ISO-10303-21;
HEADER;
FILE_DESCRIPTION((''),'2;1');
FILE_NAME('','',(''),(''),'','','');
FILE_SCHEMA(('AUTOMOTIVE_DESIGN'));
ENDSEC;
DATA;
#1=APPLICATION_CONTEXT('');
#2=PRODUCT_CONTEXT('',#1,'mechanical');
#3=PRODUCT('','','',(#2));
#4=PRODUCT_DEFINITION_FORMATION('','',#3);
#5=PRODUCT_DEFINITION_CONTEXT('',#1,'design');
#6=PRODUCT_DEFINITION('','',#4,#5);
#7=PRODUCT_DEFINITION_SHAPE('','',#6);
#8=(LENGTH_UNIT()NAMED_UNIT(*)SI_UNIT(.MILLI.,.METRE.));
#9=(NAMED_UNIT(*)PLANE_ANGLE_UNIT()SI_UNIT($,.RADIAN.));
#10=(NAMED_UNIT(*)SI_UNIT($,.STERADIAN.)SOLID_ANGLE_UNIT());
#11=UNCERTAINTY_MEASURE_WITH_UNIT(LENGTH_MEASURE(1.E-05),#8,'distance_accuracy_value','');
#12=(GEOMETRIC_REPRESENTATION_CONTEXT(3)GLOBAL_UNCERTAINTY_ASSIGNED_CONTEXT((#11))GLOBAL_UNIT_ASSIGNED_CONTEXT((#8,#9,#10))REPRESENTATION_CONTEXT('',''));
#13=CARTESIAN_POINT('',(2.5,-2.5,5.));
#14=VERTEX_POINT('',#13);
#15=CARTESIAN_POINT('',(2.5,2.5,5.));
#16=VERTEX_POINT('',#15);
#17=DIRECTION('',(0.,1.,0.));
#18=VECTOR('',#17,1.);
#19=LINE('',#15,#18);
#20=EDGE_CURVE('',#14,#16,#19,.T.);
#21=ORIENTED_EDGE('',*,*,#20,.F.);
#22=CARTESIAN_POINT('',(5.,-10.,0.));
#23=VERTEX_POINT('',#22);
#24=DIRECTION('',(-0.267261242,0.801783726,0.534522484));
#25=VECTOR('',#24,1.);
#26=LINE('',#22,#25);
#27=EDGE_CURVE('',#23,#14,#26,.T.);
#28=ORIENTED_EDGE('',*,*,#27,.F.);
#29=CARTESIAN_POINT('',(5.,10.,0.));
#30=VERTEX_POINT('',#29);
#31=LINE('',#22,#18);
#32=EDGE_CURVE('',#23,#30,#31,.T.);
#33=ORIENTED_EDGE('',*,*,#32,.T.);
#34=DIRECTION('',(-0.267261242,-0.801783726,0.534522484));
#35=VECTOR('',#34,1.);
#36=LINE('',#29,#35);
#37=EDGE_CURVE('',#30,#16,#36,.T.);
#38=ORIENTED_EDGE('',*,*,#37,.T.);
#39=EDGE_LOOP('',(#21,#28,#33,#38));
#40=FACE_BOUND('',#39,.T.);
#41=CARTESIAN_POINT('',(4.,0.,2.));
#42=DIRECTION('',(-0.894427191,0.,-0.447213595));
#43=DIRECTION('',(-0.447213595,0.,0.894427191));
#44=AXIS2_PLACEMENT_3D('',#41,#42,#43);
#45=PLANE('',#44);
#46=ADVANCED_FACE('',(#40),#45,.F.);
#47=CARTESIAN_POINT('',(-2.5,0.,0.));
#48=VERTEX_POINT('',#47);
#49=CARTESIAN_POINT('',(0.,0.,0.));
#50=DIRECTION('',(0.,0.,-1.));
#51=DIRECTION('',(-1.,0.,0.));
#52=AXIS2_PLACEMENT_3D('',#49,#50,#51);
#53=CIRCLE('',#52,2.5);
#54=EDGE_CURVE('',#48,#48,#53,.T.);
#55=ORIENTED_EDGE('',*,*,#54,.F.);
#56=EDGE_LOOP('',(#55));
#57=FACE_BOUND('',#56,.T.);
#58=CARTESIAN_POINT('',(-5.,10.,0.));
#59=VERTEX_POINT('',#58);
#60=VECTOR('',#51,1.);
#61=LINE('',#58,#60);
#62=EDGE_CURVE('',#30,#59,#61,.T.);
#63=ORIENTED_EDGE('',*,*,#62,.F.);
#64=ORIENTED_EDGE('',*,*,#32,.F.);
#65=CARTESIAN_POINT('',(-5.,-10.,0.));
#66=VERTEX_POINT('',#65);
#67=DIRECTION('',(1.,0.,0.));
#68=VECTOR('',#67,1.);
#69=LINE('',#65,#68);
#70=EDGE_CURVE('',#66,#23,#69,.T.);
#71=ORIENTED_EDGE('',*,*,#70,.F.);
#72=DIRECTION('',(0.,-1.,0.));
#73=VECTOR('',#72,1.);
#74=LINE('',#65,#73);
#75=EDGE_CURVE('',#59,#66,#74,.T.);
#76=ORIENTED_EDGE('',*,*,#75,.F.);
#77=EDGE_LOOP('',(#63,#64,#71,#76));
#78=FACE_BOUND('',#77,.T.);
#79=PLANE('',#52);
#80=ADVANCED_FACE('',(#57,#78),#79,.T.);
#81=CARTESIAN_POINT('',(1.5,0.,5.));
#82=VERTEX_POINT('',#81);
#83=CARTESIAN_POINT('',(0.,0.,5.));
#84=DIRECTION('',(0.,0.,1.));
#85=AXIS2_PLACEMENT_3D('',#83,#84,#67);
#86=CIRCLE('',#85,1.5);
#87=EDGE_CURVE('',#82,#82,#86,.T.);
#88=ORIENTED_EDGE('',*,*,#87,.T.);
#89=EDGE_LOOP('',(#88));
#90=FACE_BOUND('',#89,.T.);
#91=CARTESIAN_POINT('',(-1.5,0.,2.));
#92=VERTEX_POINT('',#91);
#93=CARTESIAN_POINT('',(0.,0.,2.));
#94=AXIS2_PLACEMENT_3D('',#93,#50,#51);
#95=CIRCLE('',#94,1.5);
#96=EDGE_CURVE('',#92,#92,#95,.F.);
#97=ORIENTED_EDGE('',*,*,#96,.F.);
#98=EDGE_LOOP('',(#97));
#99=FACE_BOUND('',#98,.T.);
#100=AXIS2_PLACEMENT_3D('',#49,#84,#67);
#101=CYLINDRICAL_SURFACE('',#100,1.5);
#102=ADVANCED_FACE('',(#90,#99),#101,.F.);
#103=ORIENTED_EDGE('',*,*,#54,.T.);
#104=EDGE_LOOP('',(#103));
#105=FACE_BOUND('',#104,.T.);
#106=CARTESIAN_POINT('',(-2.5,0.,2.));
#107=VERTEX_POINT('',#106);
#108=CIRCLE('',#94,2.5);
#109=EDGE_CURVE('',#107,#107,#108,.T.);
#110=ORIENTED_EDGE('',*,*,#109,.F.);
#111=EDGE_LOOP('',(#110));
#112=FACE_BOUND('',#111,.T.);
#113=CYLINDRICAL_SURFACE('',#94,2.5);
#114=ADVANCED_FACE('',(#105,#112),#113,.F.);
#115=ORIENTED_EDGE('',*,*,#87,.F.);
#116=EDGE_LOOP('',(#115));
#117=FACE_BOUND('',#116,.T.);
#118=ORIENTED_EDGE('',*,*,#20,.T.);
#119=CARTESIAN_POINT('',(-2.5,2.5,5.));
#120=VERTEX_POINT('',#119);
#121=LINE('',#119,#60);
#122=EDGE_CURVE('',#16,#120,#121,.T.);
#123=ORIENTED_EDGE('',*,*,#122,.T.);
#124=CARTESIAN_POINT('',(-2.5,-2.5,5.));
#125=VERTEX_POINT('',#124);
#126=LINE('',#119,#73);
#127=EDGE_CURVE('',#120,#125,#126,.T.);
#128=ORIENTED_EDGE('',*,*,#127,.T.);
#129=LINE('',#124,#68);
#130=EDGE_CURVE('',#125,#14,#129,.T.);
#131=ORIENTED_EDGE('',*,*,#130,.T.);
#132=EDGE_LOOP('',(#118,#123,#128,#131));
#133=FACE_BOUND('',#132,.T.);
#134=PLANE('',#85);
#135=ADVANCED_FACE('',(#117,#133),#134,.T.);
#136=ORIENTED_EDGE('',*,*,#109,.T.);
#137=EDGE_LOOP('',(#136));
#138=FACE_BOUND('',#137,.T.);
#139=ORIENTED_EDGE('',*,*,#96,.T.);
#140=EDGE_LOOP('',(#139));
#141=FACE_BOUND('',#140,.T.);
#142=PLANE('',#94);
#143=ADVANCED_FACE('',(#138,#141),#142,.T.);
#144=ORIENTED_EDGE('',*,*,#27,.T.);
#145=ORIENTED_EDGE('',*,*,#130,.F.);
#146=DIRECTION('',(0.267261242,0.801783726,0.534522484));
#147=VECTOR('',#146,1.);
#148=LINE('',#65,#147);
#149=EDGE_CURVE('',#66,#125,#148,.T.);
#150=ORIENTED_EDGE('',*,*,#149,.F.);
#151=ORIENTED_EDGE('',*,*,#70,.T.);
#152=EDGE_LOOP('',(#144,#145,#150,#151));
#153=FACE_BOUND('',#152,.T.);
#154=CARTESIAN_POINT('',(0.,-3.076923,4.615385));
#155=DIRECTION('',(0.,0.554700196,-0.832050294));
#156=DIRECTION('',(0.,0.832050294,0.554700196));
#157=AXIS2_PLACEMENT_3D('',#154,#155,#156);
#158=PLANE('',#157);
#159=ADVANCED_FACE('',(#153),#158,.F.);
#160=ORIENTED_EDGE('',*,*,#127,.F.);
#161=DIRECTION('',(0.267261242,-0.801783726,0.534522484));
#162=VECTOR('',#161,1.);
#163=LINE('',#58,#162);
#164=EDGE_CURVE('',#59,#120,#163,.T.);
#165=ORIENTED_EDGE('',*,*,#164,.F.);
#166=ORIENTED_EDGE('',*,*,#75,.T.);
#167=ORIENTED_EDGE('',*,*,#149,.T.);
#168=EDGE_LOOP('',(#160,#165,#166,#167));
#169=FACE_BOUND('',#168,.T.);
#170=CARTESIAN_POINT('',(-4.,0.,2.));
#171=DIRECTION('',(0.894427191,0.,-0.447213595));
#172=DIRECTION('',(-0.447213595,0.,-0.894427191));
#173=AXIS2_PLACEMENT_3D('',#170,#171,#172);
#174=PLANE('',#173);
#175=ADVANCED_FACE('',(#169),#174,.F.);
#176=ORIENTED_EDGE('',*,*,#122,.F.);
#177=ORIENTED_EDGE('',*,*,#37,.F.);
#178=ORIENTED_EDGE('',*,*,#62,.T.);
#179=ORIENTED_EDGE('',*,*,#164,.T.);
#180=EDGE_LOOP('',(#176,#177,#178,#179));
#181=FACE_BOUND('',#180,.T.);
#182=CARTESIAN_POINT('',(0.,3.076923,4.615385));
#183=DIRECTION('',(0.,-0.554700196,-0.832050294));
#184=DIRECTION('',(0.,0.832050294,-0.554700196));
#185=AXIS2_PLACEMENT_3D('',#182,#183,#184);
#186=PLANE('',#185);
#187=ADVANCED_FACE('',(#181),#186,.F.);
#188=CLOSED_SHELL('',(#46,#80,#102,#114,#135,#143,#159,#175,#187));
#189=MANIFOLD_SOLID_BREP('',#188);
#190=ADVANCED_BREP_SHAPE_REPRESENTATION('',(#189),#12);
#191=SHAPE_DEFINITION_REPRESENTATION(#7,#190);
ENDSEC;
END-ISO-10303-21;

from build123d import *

# Parameters (mm, degrees)
CROQUIS10_R           = 1.5
CORTAR_EXTRUIR1_DEPTH = 5
CROQUIS11_R           = 2.5
CORTAR_EXTRUIR2_DEPTH = 2


with BuildPart() as part:
    # Croquis1 → Recubrir1 section 0
    with BuildSketch(Plane.XY):
        with BuildLine():
            Line((-5, -10), (5, -10))
            Line((5, -10), (5, 10))
            Line((5, 10), (-5, 10))
            Line((-5, 10), (-5, -10))
        make_face()
    # Croquis9 → Recubrir1 section 1
    with BuildSketch(Plane.XY.offset(5)):
        with BuildLine():
            Line((-2.5, 2.5), (2.5, 2.5))
            Line((2.5, 2.5), (2.5, -2.5))
            Line((2.5, -2.5), (-2.5, -2.5))
            Line((-2.5, -2.5), (-2.5, 2.5))
        make_face()
    loft()

    # Croquis10 → Cortar-Extruir1 (cut)
    with BuildSketch(Plane.XY.offset(5)):
        Circle(CROQUIS10_R)
    extrude(amount=-CORTAR_EXTRUIR1_DEPTH, mode=Mode.SUBTRACT)

    # Croquis11 → Cortar-Extruir2 (cut)
    with BuildSketch(Plane(origin=(0, 0, 0), x_dir=(-1, 0, 0), z_dir=(0, 0, -1))):
        Circle(CROQUIS11_R)
    extrude(amount=-CORTAR_EXTRUIR2_DEPTH, mode=Mode.SUBTRACT)


solid = part.part
